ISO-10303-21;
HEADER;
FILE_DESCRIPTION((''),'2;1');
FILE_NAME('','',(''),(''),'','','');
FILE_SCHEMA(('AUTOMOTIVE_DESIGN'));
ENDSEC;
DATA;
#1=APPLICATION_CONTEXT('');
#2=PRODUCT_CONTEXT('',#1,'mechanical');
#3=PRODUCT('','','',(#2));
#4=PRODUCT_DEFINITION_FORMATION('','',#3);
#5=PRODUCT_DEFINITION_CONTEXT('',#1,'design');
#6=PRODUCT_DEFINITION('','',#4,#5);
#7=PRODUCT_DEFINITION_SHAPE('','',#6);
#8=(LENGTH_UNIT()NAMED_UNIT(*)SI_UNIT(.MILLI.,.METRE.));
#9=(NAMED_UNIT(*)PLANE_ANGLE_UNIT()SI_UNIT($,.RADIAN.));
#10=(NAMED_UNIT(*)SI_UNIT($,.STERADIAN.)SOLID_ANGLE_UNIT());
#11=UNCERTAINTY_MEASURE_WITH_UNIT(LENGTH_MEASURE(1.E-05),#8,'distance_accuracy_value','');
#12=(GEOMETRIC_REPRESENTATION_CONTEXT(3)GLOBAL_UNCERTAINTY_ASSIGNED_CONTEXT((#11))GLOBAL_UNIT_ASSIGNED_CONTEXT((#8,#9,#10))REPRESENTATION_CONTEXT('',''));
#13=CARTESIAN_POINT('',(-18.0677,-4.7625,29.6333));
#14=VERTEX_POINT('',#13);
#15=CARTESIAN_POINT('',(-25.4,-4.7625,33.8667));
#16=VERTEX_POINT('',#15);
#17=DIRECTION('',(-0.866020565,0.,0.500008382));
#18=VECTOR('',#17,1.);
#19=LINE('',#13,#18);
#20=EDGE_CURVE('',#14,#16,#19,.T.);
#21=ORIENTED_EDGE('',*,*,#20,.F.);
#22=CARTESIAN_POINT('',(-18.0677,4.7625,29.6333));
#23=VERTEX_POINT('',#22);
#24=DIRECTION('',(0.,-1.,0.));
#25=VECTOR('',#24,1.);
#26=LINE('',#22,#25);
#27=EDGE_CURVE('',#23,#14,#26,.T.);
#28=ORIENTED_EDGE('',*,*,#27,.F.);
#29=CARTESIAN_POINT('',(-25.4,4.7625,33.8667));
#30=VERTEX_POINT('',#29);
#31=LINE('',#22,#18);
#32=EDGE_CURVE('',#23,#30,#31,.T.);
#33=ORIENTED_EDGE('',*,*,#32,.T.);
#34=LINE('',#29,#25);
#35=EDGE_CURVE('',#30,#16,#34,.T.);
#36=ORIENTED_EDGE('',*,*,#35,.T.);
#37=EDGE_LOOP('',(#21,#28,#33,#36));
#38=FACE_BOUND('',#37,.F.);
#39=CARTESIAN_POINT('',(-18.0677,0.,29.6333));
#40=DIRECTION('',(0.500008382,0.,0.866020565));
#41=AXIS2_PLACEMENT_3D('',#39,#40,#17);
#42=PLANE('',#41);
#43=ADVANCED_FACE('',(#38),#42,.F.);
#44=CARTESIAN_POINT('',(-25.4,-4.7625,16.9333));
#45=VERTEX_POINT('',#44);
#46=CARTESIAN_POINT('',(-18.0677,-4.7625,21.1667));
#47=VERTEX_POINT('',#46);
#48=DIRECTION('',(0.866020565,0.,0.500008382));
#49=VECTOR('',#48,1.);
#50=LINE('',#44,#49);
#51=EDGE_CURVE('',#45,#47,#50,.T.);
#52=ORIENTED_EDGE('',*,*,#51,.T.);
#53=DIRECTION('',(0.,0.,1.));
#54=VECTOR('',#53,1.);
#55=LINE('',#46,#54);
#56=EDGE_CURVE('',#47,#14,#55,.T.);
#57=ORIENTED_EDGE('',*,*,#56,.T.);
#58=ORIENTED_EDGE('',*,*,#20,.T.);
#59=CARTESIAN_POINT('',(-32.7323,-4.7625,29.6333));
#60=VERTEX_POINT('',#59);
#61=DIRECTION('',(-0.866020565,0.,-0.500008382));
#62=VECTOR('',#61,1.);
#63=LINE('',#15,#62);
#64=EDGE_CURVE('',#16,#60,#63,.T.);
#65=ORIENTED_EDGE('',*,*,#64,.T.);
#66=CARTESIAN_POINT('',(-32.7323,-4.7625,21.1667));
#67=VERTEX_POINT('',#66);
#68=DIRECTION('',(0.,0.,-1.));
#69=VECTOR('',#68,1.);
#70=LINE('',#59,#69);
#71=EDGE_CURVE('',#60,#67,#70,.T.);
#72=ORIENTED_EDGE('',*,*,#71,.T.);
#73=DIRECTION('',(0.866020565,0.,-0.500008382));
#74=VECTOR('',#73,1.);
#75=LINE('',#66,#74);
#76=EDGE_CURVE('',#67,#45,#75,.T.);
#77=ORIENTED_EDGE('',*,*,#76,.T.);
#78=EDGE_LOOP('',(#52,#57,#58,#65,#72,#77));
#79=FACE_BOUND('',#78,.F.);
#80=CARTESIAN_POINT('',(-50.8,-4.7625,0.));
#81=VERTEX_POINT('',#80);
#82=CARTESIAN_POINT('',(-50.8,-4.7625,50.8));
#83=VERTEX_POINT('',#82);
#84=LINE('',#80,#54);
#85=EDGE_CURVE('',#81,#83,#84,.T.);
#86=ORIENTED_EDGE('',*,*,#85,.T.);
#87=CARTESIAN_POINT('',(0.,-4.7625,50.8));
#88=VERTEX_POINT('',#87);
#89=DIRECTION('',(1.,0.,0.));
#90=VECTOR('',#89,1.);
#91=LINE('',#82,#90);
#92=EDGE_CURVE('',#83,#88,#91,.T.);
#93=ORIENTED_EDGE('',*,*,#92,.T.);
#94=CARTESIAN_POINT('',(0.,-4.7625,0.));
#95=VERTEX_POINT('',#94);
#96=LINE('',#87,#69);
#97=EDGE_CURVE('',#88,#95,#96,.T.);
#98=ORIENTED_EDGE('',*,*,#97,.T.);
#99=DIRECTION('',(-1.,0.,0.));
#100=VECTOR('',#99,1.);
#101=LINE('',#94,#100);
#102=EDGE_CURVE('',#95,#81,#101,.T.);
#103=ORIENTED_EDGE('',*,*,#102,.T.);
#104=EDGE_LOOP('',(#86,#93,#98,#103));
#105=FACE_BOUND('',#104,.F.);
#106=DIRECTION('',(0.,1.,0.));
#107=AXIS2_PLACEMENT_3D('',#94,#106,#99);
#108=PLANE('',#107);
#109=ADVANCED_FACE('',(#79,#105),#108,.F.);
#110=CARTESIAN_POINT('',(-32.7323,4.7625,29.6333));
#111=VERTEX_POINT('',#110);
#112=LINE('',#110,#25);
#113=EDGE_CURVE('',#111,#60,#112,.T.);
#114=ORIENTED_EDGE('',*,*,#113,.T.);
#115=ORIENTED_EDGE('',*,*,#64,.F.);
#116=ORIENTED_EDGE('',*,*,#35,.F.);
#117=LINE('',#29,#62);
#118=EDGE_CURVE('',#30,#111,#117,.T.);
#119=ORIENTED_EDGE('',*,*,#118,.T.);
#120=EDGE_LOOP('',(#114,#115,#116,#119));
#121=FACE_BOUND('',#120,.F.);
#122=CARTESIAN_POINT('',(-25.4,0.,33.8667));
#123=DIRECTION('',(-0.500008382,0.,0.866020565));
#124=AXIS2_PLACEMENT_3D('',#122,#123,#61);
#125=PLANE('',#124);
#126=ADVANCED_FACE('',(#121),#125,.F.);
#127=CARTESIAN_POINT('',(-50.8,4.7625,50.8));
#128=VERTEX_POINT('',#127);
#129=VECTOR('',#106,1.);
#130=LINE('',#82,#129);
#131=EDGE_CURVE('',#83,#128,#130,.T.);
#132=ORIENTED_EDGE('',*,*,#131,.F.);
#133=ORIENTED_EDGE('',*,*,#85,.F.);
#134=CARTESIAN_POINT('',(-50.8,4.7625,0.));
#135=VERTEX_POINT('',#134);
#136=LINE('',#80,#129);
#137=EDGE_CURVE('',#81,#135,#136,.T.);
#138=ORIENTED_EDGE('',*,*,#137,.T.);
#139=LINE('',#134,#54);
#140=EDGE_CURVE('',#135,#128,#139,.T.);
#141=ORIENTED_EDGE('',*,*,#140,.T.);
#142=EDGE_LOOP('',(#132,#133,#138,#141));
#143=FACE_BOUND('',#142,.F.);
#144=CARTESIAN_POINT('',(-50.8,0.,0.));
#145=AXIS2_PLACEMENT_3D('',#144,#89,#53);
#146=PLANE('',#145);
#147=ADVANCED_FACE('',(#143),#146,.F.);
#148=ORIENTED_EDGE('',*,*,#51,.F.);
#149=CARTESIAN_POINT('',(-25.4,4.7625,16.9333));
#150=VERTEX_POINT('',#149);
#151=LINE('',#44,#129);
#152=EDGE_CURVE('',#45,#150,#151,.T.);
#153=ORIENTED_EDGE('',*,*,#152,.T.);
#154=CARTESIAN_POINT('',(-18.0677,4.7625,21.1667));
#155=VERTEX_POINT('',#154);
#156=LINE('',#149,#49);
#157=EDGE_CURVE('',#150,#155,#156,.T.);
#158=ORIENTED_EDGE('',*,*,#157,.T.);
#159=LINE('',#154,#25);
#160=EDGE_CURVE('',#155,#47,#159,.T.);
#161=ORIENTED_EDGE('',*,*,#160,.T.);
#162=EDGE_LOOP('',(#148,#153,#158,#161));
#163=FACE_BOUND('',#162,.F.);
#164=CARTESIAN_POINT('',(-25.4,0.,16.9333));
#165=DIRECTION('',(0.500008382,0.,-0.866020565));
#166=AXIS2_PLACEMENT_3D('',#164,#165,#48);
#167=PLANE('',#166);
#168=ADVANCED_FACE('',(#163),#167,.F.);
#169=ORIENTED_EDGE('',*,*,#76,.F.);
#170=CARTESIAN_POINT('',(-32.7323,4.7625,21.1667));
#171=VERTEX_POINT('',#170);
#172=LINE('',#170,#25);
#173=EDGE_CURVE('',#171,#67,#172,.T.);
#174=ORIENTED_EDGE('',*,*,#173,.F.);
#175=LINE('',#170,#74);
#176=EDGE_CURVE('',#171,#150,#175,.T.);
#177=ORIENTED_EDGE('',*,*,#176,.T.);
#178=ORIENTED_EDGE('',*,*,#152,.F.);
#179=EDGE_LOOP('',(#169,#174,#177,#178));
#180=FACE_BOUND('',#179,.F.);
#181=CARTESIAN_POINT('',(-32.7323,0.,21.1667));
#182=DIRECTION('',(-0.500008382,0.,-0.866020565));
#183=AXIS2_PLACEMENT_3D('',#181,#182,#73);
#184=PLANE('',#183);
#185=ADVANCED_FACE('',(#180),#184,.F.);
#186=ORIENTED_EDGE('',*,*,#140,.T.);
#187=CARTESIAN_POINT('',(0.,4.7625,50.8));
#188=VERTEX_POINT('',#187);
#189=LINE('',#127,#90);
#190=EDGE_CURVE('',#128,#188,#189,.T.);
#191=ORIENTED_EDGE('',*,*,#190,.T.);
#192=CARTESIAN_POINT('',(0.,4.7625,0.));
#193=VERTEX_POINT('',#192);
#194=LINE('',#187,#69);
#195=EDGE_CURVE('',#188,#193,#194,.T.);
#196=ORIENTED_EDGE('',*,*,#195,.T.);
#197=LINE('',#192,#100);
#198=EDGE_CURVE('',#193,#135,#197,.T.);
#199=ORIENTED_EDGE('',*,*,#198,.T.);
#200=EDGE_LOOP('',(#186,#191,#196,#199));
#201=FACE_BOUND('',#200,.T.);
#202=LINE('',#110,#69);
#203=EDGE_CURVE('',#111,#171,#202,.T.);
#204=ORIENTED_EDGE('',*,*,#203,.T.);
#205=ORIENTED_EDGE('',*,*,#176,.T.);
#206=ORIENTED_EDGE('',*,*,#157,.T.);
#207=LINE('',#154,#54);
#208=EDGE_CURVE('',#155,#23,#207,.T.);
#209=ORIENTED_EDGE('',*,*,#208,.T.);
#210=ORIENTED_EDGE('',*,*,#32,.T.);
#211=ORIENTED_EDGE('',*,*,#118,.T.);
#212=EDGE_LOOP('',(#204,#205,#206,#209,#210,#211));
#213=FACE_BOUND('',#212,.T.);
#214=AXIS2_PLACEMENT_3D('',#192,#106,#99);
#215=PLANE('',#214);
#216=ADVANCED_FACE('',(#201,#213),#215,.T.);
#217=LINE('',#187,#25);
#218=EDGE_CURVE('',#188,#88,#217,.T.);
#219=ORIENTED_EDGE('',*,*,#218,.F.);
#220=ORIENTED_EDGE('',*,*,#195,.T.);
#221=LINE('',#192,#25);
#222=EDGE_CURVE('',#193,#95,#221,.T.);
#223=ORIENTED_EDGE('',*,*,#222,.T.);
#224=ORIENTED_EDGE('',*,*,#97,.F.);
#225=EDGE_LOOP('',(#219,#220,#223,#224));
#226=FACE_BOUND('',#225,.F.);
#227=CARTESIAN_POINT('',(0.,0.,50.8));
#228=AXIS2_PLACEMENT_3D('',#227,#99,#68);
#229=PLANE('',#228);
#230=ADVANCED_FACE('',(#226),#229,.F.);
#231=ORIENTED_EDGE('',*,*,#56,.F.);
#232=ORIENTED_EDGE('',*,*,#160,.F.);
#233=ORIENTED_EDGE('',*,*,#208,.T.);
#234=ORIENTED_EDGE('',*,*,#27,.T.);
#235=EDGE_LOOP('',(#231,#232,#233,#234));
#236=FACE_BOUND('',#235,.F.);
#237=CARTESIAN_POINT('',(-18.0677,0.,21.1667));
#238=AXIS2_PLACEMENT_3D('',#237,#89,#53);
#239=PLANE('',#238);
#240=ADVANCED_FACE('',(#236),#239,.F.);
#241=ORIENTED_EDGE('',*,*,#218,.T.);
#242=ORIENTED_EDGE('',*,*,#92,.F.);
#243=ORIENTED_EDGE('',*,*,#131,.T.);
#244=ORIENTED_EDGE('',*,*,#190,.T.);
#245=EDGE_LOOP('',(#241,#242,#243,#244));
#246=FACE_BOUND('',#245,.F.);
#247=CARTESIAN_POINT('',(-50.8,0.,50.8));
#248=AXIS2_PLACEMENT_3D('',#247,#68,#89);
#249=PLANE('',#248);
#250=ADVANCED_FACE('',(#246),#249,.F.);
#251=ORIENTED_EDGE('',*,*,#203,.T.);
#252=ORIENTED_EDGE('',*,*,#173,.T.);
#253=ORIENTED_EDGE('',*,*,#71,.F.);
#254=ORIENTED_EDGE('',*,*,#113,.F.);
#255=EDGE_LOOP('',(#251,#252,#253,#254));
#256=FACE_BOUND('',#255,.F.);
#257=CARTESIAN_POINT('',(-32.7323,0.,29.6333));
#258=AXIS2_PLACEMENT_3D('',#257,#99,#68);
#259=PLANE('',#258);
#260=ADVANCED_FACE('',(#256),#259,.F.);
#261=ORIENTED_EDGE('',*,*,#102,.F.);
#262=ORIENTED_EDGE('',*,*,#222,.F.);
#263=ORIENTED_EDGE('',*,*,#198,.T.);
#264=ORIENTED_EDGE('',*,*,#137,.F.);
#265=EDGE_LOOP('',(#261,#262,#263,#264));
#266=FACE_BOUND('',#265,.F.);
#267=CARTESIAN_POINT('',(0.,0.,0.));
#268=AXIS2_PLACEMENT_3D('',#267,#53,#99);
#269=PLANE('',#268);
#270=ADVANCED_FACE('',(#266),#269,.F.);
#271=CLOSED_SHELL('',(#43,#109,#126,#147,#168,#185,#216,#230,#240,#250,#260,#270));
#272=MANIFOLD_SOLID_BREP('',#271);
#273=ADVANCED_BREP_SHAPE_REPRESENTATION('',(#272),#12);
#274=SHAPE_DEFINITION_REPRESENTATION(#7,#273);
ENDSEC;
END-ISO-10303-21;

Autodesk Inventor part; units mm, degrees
ref_plane "YZ Plane" through (0, 0, 0) normal (1, 0, 0) x (0, 1, 0)
ref_plane "XZ Plane" through (0, 0, 0) normal (0, 1, 0) x (-1, 0, 0)
ref_plane "XY Plane" through (0, 0, 0) normal (0, 0, 1) x (1, 0, 0)
sketch "Sketch1" plane through (0, 0, 0) normal (0, 1, 0) x (-1, 0, 0)
  line L0 (50.8, 0) -> (50.8, 50.8)
  line L1 (50.8, 50.8) -> (0, 50.8)
  line L2 (0, 50.8) -> (0, 0)
  line L3 (0, 0) -> (50.8, 0)
  line L4 (25.4, 16.9333) -> (18.0677, 21.1667)
  line L5 (18.0677, 21.1667) -> (18.0677, 29.6333)
  line L6 (18.0677, 29.6333) -> (25.4, 33.8667)
  line L7 (25.4, 33.8667) -> (32.7323, 29.6333)
  line L8 (32.7323, 29.6333) -> (32.7323, 21.1667)
  line L9 (32.7323, 21.1667) -> (25.4, 16.9333)
  point P0 (25.4, 25.4)
  point P1 (21.7338, 19.05)
  point P2 (29.0662, 31.75)
  dimension "d0" = 50.8
  dimension "d1" = 50.8
  dimension "d4" = 12.7
extrude "Extrusion1" add sketch "Sketch1" along normal mid plane 9.525
properties part number "Hex Box"
